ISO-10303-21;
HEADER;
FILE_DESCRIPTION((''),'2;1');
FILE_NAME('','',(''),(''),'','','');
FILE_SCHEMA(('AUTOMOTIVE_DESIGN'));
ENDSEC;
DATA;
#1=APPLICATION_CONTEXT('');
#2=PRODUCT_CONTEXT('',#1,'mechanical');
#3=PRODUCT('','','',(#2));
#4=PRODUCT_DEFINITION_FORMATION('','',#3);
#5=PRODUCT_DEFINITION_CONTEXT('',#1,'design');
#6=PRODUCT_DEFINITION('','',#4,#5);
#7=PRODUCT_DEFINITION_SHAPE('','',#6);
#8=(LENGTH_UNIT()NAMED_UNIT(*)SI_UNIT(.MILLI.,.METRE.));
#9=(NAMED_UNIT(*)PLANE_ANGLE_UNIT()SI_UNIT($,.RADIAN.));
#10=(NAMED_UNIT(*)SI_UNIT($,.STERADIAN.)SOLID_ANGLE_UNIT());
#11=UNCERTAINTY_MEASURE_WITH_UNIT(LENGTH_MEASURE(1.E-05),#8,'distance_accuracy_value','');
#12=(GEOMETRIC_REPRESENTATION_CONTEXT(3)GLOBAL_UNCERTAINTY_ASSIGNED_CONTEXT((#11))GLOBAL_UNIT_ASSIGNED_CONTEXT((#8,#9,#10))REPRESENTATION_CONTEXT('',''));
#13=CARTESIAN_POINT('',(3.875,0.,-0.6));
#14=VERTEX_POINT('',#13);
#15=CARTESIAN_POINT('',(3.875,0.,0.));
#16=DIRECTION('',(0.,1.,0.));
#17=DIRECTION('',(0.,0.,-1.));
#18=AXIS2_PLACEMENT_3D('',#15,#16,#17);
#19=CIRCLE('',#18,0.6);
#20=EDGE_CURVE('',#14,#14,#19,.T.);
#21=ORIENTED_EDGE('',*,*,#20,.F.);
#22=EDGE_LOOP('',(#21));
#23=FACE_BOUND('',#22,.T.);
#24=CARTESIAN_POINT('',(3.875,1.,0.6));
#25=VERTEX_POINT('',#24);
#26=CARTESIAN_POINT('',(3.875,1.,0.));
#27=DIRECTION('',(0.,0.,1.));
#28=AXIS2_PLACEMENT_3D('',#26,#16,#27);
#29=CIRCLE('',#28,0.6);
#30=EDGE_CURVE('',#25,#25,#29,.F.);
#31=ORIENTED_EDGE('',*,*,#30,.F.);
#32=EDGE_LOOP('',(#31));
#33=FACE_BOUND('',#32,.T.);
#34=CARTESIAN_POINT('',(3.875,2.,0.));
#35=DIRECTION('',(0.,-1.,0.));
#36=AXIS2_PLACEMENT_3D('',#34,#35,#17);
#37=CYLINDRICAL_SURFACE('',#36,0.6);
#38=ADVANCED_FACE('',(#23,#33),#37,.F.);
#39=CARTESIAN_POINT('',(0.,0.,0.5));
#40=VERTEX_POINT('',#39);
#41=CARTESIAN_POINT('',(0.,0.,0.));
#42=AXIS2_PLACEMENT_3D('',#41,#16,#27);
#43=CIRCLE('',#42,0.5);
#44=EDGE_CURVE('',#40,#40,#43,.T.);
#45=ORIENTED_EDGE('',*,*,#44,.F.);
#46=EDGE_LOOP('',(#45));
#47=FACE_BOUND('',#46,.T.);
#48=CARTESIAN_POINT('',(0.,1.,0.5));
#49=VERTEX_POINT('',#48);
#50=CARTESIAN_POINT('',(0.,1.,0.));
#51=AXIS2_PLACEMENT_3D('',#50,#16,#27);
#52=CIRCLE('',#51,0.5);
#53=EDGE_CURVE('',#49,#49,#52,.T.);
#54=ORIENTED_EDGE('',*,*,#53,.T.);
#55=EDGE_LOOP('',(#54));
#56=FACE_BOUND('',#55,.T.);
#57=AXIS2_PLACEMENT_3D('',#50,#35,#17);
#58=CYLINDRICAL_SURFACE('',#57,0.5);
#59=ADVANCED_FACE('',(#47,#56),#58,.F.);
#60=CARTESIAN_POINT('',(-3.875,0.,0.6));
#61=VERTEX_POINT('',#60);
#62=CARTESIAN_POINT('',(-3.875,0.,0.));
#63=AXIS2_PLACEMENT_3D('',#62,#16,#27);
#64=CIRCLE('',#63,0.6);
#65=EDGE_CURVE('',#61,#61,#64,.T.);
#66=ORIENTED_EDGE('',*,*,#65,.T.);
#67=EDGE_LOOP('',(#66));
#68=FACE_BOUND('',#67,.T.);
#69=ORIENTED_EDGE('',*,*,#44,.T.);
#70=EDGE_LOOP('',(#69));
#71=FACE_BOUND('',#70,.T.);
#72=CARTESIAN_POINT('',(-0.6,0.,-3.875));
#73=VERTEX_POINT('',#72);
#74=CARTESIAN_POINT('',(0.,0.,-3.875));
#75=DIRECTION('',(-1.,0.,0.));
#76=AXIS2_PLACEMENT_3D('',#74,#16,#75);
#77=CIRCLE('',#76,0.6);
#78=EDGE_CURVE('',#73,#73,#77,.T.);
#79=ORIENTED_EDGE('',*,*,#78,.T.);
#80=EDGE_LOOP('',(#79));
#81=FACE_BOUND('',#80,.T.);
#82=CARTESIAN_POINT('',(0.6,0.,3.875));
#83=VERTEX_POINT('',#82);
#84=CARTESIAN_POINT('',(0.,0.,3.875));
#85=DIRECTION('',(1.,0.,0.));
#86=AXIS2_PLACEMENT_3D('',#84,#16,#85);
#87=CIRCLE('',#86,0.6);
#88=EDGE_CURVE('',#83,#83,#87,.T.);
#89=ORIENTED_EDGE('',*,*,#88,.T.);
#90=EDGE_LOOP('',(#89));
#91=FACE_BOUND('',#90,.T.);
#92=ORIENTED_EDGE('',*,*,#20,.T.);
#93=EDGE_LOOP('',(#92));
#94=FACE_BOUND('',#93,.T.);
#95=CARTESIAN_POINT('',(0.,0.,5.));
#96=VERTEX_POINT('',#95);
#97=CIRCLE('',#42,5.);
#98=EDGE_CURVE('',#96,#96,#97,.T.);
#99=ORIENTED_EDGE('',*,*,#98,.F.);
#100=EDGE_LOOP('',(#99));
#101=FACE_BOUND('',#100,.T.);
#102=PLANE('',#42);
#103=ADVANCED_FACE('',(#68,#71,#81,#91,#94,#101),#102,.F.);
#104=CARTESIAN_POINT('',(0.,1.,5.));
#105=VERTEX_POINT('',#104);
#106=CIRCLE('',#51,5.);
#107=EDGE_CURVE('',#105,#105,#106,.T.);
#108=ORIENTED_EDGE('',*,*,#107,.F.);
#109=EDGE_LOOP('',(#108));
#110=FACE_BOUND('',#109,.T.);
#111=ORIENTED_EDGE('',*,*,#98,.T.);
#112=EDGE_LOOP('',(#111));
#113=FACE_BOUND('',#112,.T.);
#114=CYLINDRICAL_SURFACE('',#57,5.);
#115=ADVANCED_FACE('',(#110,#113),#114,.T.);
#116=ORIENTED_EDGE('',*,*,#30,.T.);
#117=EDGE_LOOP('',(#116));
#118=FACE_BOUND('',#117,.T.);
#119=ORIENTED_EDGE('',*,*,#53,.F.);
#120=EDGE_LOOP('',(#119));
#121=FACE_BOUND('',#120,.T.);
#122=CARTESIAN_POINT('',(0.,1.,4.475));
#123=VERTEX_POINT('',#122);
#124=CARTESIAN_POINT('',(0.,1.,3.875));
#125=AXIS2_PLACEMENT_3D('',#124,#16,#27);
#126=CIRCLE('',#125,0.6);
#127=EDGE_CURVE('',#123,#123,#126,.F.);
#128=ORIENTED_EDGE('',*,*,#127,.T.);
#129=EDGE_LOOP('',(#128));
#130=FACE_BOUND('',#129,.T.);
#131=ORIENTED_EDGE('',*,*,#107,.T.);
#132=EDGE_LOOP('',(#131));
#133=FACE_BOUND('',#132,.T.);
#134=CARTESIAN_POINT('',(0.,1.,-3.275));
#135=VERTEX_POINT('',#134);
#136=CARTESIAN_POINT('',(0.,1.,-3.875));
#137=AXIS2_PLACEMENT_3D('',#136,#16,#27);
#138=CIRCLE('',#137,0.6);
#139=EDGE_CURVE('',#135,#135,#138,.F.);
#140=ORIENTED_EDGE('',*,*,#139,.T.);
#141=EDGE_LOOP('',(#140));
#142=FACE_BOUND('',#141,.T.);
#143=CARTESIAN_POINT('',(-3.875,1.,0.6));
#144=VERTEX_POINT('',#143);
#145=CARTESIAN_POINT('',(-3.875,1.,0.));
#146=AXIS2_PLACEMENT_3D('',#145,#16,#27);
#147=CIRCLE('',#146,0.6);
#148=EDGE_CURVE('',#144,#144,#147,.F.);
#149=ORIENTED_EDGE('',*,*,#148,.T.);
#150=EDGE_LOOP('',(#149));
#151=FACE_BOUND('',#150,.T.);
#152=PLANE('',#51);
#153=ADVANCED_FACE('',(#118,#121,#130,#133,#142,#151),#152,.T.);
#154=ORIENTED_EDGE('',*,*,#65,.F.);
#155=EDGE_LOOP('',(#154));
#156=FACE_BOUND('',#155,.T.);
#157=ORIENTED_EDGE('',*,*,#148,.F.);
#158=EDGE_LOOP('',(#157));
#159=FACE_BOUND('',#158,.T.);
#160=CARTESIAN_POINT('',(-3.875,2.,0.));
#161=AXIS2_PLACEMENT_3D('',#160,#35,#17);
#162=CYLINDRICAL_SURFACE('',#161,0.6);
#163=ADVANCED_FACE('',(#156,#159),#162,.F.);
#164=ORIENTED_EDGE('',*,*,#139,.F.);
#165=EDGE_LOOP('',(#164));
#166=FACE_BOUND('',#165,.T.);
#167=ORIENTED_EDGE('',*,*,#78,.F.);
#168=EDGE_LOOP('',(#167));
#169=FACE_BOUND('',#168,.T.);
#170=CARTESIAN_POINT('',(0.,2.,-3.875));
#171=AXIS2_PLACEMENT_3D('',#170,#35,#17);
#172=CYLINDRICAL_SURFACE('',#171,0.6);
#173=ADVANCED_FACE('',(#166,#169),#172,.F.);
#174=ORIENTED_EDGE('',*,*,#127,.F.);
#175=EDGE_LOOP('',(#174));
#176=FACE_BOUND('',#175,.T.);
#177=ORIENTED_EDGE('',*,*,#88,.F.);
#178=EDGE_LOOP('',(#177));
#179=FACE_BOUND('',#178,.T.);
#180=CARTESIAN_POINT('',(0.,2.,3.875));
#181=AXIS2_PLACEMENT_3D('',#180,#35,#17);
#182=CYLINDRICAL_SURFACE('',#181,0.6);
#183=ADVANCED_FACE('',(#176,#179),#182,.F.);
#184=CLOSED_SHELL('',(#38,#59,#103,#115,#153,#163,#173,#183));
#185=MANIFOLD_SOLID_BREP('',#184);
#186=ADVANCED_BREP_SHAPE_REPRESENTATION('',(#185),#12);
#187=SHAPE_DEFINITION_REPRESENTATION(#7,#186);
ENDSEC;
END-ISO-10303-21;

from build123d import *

# Parameters (mm, degrees)
SKETCH_1_R               = 5
EXTRUDE_1_DEPTH          = 1
SKETCH_1_6_R             = 0.5
CUT_EXTRUDE_2_DEPTH      = 8.141428429
SKETCH_1_7_R             = 0.6
CUT_EXTRUDE_3_DEPTH      = 2
PATTERN_CIRCULAR_1_COUNT = 4


with BuildPart() as part:
    # 草图1 → 凸台-拉伸1 (new body)
    with BuildSketch(Plane(origin=(0, 0, 0), x_dir=(1, 0, 0), z_dir=(0, 1, 0))):
        Circle(SKETCH_1_R)
    extrude(amount=EXTRUDE_1_DEPTH)

    # 草图1<6> → 切除-拉伸2 (cut, through all)
    with BuildSketch(Plane(origin=(0, 0, 0), x_dir=(1, 0, 0), z_dir=(0, 1, 0))):
        Circle(SKETCH_1_6_R)
    extrude(amount=CUT_EXTRUDE_2_DEPTH, mode=Mode.SUBTRACT)

    # 草图1<7> → 切除-拉伸3 (cut)
    with BuildSketch(Plane(origin=(0, 0, 0), x_dir=(1, 0, 0), z_dir=(0, 1, 0))):
        with Locations((-3.875, 0)):
            Circle(SKETCH_1_7_R)
    cut_extrude_3 = extrude(amount=CUT_EXTRUDE_3_DEPTH, mode=Mode.SUBTRACT)

    # 阵列(圆周)1: 切除-拉伸3 ×4 about axis
    pattern_circular_1_axis = Axis((0, 1, 0), (0, -1, 0))
    for i in range(1, PATTERN_CIRCULAR_1_COUNT):
        add(cut_extrude_3.rotate(pattern_circular_1_axis, i * 360 / PATTERN_CIRCULAR_1_COUNT), mode=Mode.SUBTRACT)


solid = part.part
